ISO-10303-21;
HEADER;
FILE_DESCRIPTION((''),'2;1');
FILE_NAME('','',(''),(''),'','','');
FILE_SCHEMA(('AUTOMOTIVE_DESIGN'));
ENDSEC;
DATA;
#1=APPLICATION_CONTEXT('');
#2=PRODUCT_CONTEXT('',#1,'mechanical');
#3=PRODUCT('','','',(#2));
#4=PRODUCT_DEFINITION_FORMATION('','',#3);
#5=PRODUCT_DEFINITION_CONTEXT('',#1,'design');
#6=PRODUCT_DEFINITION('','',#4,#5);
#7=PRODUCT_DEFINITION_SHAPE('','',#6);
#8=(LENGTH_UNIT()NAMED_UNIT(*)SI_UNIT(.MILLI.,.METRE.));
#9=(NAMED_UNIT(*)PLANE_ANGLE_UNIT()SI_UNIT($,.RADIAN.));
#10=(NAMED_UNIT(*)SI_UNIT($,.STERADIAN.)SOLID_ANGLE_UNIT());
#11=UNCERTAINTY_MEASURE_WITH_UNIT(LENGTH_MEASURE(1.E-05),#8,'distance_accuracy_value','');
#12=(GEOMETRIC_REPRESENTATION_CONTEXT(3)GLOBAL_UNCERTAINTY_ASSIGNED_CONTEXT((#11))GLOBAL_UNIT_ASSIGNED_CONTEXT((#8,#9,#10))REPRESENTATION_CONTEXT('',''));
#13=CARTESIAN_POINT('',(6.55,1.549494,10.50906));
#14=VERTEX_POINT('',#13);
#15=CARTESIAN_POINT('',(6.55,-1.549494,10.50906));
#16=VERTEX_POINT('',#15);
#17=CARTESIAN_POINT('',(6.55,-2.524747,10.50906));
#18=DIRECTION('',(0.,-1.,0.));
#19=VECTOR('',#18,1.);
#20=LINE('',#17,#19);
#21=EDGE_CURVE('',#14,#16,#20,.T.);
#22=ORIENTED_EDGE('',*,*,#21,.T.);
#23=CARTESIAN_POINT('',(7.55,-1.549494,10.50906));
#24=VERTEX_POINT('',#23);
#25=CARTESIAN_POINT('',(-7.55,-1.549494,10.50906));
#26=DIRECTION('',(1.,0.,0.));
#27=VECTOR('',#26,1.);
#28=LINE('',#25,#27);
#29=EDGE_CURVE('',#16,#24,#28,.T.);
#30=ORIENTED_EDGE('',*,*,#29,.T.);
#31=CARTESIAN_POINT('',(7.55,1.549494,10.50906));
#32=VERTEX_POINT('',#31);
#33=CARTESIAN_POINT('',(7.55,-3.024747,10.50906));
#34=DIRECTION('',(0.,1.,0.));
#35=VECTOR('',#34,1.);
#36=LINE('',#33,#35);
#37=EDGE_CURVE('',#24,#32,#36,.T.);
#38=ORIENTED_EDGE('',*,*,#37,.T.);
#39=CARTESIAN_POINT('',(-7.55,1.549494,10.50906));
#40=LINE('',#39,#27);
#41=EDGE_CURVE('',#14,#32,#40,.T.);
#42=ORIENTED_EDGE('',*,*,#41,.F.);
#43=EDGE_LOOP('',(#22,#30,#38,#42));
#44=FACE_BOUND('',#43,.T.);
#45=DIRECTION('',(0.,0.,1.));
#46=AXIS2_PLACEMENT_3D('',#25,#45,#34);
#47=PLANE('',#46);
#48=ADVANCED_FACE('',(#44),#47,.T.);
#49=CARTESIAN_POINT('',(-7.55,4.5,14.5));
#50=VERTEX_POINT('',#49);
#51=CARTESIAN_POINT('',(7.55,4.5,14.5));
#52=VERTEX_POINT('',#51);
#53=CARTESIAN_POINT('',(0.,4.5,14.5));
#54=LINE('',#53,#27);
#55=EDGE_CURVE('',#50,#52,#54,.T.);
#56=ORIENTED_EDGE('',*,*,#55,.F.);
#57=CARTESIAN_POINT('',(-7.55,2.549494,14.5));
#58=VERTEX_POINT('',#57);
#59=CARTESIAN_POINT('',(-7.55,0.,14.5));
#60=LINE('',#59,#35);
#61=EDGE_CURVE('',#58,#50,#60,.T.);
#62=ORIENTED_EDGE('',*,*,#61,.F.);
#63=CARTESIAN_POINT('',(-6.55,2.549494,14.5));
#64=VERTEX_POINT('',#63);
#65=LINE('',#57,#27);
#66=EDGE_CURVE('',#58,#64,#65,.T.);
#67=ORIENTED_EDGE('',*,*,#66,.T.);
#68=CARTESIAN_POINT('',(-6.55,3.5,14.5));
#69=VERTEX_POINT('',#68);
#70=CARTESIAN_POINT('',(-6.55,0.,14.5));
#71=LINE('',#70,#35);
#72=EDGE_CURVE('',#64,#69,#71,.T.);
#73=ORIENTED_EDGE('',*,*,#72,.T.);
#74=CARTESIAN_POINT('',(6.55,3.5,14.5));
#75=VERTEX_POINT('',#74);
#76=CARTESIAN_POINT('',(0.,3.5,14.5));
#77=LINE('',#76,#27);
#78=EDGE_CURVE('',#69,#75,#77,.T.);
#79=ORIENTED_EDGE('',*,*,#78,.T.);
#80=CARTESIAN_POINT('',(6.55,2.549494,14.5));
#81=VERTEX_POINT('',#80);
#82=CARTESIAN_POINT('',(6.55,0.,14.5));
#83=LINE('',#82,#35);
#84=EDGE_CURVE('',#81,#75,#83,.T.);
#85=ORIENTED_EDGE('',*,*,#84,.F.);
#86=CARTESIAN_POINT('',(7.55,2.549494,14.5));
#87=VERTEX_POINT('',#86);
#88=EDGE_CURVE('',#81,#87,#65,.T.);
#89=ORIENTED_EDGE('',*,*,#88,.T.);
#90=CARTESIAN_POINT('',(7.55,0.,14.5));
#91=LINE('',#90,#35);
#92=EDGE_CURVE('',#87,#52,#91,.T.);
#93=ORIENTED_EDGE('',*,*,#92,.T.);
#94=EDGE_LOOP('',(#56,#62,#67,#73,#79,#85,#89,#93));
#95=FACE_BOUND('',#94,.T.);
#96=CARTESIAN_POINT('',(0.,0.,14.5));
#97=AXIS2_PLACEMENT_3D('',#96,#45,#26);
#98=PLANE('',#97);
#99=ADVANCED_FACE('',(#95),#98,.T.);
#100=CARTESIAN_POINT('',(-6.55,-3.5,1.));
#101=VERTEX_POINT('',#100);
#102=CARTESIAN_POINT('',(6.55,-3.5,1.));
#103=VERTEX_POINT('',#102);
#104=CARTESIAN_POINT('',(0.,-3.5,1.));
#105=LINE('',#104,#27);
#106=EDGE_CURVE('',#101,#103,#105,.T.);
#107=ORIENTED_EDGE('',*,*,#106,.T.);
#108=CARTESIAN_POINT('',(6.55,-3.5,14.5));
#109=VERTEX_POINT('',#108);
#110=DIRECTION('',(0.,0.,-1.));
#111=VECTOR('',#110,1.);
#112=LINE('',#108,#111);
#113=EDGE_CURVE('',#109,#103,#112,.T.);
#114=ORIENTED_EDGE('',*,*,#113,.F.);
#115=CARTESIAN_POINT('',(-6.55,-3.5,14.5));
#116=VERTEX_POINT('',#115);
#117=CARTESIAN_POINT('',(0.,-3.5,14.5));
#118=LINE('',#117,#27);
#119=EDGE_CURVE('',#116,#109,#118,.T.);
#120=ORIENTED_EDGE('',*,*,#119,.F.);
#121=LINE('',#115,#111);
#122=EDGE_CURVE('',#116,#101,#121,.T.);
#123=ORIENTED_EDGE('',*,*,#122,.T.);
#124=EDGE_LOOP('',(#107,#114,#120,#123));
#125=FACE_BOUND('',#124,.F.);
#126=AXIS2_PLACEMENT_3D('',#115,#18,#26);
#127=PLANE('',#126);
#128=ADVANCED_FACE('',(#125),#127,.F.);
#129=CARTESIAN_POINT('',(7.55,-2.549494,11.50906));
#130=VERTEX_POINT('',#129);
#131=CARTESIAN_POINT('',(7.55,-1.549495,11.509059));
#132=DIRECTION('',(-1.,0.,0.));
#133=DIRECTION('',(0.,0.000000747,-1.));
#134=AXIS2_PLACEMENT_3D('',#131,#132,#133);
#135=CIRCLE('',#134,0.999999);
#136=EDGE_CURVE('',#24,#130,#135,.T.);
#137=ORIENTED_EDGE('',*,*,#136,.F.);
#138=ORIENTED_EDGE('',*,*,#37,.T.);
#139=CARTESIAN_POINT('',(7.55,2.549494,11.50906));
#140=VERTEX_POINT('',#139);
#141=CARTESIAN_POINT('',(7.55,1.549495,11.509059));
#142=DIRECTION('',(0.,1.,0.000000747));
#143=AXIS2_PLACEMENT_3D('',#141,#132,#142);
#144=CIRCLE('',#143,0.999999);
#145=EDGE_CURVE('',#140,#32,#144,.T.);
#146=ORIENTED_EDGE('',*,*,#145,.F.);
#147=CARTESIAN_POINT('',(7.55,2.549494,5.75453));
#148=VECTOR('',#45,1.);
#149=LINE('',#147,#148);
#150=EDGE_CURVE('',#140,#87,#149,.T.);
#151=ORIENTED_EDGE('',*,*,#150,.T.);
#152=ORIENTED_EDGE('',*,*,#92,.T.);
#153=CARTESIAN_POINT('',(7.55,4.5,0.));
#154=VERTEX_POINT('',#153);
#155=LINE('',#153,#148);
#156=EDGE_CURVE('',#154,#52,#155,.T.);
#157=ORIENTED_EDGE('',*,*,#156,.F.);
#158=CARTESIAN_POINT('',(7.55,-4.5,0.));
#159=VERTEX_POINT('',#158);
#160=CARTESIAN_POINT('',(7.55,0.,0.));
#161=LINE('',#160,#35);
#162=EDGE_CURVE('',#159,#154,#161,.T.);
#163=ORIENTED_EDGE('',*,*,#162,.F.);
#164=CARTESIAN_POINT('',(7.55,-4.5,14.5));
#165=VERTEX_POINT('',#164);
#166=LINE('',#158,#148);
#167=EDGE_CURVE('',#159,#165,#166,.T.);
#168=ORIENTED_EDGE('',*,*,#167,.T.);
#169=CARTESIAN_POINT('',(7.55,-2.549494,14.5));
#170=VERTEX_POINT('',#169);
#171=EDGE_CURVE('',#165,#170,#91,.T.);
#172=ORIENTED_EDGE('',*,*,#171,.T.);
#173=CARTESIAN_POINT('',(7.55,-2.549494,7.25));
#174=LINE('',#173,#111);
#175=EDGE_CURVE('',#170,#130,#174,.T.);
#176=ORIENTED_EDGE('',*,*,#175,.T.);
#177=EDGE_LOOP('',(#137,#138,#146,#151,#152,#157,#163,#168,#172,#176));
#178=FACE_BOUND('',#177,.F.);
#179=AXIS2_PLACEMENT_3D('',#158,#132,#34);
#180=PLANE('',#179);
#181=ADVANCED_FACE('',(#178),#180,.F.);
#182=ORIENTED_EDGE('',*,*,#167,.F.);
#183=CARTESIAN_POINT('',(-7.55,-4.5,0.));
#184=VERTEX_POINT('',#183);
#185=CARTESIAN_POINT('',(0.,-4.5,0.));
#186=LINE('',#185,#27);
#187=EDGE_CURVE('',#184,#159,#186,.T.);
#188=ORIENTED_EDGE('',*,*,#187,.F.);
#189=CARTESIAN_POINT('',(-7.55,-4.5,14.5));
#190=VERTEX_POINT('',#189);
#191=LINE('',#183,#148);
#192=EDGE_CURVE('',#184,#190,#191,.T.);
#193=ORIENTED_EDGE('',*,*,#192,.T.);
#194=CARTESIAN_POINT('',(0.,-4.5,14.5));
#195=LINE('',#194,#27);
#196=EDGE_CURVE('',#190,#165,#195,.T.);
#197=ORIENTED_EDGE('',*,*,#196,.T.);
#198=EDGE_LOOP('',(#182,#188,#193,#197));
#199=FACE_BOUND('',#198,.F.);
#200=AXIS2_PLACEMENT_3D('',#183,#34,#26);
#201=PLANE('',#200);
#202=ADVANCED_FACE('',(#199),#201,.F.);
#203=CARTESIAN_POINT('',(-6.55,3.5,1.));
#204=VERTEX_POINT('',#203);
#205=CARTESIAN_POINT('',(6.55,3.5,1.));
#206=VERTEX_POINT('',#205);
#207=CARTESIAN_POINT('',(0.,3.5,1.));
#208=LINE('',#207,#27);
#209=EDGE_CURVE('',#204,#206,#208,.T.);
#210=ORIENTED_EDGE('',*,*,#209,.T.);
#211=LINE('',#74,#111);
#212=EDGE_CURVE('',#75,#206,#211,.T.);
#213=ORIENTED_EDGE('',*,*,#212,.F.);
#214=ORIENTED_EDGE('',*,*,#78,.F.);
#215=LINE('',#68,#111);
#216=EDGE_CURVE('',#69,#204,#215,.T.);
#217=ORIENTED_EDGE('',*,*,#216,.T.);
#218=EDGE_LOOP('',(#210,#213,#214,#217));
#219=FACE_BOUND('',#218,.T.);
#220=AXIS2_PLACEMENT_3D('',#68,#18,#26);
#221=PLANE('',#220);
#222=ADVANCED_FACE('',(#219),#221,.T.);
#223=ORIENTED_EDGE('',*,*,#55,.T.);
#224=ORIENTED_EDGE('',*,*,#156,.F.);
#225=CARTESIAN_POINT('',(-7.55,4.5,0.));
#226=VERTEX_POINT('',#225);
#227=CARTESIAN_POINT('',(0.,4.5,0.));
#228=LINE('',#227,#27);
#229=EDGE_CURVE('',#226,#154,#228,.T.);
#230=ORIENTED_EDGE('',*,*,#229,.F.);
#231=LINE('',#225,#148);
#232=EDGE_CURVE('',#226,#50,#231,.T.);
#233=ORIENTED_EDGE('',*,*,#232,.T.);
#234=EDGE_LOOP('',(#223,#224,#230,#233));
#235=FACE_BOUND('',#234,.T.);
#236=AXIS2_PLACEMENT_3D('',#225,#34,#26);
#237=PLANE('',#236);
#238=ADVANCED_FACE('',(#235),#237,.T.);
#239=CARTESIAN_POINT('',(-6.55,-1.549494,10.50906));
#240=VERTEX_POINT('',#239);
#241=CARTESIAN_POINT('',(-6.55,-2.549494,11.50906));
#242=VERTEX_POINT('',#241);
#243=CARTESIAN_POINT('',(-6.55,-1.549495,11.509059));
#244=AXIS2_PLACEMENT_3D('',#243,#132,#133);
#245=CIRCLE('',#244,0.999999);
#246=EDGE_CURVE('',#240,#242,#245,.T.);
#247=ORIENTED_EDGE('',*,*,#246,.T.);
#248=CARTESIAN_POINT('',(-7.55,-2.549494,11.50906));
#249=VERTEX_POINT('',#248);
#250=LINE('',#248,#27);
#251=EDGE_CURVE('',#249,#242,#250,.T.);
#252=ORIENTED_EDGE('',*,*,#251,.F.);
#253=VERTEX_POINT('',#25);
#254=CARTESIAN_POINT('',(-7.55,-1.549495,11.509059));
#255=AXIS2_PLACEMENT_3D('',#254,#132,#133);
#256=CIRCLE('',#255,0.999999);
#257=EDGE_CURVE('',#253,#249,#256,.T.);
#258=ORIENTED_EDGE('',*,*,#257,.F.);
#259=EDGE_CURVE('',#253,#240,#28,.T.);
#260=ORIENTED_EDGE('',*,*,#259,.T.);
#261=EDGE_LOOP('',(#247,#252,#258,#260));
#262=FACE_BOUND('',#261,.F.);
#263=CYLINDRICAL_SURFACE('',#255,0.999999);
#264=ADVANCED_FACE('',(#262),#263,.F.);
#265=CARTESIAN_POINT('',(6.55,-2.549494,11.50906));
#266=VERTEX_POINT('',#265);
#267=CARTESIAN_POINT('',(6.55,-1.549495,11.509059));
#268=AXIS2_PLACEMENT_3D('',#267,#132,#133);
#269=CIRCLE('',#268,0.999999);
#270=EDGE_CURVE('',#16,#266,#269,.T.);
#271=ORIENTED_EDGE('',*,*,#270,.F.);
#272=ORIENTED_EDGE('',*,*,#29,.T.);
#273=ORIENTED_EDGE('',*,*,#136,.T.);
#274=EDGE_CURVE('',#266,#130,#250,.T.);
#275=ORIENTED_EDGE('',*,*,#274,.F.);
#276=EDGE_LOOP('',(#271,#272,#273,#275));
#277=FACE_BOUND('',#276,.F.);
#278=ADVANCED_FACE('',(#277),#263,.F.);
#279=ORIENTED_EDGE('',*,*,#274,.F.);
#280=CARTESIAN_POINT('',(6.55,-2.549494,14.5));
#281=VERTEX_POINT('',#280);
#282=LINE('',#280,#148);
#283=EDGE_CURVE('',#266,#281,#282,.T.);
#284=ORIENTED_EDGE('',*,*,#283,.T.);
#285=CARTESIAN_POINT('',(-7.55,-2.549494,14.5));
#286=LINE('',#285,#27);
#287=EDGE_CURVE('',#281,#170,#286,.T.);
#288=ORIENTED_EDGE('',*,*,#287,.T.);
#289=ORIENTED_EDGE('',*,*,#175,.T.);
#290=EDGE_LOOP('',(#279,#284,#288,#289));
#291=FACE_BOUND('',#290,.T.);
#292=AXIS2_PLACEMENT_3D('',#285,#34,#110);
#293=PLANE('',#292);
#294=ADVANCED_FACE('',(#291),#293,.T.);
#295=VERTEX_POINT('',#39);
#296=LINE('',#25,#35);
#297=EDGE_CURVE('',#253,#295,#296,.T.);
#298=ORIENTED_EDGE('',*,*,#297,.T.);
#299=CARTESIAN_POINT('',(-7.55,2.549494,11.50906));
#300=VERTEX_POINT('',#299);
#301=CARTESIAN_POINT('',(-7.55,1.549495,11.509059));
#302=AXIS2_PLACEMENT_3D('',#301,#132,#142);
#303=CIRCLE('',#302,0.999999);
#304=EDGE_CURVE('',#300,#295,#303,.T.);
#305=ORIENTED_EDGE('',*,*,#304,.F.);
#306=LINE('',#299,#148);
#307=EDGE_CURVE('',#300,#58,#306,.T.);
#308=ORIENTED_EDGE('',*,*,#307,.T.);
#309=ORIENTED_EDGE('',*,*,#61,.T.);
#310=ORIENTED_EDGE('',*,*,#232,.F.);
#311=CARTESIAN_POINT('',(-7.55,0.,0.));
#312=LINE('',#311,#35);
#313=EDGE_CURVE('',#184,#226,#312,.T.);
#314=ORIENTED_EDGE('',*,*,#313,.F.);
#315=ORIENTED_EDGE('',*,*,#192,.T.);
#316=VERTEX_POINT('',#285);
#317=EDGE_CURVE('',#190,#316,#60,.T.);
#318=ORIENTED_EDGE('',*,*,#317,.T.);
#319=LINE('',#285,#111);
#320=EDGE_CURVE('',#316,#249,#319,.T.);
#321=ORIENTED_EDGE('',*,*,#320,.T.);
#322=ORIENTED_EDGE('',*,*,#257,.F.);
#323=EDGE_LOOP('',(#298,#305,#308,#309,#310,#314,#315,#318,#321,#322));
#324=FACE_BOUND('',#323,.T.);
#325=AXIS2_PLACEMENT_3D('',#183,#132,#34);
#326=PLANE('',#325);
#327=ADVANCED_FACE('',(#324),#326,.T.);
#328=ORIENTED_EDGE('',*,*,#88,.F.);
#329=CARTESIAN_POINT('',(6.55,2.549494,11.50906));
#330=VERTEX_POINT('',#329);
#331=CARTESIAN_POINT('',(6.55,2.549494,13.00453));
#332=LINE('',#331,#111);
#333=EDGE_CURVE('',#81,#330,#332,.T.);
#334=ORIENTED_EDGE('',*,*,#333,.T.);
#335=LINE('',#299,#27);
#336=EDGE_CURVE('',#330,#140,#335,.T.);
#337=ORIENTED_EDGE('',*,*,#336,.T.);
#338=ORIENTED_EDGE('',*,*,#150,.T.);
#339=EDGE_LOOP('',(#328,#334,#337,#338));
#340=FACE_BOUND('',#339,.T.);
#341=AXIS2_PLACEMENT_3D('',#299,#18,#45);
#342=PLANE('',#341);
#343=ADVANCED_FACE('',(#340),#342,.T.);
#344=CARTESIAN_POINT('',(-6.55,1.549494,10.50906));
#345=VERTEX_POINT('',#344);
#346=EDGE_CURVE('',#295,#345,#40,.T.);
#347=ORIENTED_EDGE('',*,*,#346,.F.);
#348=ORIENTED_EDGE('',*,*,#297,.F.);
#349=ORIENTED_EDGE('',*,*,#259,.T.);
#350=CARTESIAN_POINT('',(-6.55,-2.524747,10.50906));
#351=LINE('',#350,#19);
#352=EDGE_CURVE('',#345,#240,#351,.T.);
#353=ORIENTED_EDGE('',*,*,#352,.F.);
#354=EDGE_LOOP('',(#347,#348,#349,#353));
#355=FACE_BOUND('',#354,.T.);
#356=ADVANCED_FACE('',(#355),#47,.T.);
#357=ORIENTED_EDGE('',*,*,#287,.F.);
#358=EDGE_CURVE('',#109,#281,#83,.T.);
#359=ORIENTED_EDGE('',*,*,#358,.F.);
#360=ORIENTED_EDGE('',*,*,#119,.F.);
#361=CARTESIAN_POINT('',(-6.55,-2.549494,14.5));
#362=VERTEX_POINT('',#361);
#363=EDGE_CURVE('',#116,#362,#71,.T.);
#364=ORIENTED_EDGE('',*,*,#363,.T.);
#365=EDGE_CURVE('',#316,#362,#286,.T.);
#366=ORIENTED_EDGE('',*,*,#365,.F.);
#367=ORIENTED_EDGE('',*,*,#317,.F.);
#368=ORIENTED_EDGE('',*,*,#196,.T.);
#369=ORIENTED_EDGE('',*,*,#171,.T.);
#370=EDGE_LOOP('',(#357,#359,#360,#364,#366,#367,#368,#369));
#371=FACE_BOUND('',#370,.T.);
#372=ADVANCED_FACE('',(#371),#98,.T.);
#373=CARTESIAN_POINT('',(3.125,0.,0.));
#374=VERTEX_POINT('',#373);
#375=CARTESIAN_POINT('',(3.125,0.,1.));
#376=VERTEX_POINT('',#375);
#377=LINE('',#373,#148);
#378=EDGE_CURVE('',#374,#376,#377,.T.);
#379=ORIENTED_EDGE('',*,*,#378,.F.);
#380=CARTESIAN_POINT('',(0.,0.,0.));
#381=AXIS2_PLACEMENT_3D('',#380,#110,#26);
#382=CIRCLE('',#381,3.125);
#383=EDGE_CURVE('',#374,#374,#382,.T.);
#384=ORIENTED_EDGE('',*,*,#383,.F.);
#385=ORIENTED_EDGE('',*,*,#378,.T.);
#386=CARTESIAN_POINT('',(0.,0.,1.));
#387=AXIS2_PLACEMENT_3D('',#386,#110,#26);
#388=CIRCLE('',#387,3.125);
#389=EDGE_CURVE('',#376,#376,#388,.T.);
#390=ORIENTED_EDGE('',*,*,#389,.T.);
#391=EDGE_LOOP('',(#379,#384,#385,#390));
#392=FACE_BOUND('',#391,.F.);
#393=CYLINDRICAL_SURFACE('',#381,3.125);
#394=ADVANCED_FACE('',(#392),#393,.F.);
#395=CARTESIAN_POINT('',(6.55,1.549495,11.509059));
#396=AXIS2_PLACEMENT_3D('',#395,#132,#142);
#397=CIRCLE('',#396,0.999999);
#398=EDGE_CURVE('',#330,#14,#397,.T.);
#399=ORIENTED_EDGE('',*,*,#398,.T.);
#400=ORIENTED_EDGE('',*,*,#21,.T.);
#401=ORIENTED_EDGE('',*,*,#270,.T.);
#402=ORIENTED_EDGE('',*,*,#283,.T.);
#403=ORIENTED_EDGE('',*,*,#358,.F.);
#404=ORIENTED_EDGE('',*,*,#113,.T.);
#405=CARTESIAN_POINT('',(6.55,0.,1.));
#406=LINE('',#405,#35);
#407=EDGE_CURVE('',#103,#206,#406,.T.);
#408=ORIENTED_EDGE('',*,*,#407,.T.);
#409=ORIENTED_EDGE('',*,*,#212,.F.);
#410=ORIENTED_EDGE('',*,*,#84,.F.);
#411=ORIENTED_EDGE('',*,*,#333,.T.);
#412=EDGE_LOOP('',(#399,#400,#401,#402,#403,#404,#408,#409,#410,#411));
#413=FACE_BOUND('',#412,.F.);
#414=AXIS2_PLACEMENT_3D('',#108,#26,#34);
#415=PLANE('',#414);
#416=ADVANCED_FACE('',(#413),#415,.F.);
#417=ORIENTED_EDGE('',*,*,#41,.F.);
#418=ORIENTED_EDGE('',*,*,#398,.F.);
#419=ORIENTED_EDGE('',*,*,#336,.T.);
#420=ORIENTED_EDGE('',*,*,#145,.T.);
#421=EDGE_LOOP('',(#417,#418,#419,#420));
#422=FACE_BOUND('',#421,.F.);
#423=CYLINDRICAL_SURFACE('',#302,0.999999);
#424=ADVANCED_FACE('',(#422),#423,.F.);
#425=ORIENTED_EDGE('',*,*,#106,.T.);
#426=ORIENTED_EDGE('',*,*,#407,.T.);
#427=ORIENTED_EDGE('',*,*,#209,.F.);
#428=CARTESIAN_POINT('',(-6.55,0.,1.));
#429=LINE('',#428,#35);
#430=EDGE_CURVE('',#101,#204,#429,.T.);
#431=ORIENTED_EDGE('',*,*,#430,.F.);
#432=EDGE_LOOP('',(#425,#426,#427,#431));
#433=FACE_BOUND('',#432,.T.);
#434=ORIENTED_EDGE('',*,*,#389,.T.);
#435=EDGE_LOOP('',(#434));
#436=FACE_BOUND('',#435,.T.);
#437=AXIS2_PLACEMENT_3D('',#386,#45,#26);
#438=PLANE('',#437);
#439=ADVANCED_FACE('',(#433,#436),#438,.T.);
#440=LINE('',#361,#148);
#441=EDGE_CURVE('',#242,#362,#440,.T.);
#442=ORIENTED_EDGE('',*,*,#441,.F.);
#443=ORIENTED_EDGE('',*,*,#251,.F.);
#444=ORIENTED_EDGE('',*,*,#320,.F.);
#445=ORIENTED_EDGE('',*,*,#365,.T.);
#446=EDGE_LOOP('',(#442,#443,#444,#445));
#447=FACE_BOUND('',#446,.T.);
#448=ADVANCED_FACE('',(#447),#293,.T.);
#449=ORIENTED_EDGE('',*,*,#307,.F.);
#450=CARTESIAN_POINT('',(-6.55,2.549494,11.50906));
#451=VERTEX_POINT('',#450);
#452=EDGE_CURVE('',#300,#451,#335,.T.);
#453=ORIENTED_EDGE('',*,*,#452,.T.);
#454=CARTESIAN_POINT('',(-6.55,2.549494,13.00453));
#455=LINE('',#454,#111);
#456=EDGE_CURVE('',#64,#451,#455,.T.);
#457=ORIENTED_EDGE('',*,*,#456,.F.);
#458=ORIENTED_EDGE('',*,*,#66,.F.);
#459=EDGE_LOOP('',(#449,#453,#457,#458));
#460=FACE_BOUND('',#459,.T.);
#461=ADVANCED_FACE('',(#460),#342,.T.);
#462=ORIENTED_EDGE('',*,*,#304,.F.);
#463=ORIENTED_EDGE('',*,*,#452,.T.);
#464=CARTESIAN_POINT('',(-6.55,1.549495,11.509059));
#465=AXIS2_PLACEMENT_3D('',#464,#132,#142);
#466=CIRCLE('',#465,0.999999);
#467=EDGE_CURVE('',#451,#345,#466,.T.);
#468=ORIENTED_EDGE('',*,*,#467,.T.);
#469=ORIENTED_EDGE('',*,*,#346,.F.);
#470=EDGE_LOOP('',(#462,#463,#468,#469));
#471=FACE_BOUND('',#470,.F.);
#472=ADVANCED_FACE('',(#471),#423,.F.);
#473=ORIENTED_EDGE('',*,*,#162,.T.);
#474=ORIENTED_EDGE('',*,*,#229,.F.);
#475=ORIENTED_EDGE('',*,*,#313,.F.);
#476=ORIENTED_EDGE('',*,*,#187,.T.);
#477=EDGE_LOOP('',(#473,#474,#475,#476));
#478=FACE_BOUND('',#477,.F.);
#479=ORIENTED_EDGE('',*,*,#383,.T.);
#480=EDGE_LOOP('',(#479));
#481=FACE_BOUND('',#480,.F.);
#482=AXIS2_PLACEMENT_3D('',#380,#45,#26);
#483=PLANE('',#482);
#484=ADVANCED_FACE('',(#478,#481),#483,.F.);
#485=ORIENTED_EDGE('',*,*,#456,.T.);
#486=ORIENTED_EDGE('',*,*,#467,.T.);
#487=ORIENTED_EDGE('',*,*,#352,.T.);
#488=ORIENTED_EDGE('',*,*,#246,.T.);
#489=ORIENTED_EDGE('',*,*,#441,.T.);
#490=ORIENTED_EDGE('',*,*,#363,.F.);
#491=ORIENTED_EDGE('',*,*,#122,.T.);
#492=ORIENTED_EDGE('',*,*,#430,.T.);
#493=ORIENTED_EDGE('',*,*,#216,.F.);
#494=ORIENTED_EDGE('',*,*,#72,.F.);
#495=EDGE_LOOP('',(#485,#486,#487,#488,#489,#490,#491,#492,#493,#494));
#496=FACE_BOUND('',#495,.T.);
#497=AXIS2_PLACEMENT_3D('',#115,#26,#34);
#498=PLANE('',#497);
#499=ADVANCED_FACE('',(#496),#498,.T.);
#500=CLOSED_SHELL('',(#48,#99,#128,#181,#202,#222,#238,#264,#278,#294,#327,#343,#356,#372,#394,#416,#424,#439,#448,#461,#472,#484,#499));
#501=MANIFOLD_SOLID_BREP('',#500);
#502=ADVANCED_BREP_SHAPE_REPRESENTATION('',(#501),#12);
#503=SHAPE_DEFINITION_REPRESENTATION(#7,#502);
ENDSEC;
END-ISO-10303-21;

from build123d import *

# Parameters (mm, degrees)
SKETCH_W        = 15.1
SKETCH_H        = 9
PAD_DEPTH       = 14.5
SKETCH001_W     = 13.1
SKETCH001_H     = 7
POCKET_DEPTH    = 13.5
SKETCH002_R     = 3.125
POCKET001_DEPTH = 5
POCKET002_DEPTH = 15.101


with BuildPart() as part:
    # Sketch → Pad (new body)
    with BuildSketch(Plane.XY):
        Rectangle(SKETCH_W, SKETCH_H)
    extrude(amount=PAD_DEPTH)

    # Sketch001 (on Face6 of Pad) → Pocket (cut)
    with BuildSketch(Plane.XY.offset(14.5)):
        Rectangle(SKETCH001_W, SKETCH001_H)
    extrude(amount=-POCKET_DEPTH, mode=Mode.SUBTRACT)

    # Sketch002 (on Face4 of Pocket) → Pocket001 (cut)
    with BuildSketch(Plane(origin=(0, 0, 0), x_dir=(1, 0, 0), z_dir=(0, 0, -1))):
        Circle(SKETCH002_R)
    extrude(amount=-POCKET001_DEPTH, mode=Mode.SUBTRACT)

    # Sketch003 (on Face2 of Pocket001) → Pocket002 (cut, through all)
    with BuildSketch(Plane(origin=(-7.55, 0, 0), x_dir=(0, -1, 0), z_dir=(-1, 0, 0))):
        with BuildLine():
            Line((-2.549494, 14.5), (2.549494, 14.5))
            Line((2.549494, 14.5), (2.549494, 11.50906))
            ThreePointArc((1.549494, 10.50906), (2.256601, 10.801953), (2.549494, 11.50906))
            Line((1.549494, 10.50906), (-1.549494, 10.50906))
            ThreePointArc((-2.549494, 11.50906), (-2.256601, 10.801953), (-1.549494, 10.50906))
            Line((-2.549494, 11.50906), (-2.549494, 14.5))
        make_face()
    extrude(amount=-POCKET002_DEPTH, mode=Mode.SUBTRACT)


solid = part.part
